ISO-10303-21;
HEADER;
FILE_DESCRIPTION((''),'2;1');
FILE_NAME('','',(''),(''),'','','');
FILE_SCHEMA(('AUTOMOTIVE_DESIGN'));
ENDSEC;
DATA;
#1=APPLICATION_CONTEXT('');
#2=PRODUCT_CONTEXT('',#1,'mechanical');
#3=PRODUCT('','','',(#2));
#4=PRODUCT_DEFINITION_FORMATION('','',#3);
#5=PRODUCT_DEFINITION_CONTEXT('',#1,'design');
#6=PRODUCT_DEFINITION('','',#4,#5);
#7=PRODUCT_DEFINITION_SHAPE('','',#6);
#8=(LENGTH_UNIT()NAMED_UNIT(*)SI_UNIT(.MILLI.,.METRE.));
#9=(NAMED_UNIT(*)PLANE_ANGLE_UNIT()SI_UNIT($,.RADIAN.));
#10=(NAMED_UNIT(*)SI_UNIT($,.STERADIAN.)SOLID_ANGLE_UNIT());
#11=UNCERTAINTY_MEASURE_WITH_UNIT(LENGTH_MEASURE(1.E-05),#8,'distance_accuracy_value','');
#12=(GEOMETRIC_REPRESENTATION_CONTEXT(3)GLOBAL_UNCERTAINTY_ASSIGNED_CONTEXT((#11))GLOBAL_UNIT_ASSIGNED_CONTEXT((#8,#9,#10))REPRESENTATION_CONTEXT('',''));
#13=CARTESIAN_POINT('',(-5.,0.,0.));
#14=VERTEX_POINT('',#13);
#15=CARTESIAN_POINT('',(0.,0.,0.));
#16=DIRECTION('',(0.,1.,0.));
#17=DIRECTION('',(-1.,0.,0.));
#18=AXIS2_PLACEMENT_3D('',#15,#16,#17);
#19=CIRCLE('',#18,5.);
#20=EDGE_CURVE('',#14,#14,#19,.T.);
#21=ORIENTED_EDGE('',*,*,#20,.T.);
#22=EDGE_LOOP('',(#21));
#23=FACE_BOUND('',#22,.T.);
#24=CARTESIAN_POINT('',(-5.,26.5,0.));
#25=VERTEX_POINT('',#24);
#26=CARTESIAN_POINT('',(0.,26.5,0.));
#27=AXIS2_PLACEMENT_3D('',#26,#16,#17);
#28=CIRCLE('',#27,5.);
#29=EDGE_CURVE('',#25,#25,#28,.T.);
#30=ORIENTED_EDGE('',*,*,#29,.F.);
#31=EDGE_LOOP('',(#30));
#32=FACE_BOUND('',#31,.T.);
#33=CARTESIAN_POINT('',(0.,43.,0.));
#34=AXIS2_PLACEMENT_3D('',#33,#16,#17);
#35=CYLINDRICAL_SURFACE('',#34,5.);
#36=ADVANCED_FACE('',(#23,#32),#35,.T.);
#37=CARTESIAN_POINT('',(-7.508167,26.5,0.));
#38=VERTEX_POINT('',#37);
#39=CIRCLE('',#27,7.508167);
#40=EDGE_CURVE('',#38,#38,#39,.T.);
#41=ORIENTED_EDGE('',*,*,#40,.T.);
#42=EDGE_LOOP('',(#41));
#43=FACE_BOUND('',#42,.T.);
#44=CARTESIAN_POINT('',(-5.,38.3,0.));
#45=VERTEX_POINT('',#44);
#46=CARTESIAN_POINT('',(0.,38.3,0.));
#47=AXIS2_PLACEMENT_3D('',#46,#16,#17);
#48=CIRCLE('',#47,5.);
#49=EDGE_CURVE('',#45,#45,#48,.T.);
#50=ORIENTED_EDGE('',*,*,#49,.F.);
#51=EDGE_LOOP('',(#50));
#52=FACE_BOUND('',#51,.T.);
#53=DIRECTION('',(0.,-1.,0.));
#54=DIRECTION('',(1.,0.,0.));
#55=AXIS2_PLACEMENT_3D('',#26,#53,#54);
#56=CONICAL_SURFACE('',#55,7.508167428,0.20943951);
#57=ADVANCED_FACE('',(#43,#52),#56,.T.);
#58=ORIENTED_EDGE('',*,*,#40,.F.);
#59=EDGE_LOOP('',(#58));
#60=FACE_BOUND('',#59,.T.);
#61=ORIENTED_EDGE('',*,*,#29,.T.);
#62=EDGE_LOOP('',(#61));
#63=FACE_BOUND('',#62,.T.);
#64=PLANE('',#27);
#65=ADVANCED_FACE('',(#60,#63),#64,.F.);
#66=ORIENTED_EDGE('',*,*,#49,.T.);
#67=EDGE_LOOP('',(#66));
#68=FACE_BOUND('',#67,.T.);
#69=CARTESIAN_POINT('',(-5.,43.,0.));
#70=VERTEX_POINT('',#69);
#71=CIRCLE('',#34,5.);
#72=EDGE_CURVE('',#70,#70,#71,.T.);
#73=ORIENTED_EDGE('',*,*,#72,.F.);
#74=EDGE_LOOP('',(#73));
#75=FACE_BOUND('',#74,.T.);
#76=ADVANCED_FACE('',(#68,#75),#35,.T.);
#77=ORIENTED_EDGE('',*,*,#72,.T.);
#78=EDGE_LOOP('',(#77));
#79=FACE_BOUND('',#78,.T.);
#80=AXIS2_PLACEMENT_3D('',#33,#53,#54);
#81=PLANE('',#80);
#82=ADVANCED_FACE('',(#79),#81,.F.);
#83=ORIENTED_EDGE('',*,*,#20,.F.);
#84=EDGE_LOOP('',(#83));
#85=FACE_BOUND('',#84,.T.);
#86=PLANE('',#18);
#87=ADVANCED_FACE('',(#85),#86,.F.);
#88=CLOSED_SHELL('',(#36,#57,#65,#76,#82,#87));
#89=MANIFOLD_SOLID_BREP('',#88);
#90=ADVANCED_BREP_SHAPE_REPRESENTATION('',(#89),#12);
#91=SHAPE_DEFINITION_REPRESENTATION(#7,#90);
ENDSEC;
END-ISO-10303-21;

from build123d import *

# Parameters (mm, degrees)
SKETCH2_W = 5
SKETCH2_H = 4.7


with BuildPart() as part:
    # Sketch2 → Revolve1 (revolve)
    with BuildSketch(Plane.XY, mode=Mode.PRIVATE) as revolve1_sk:
        Polygon((0, 38.3), (0, 0), (5, 0), (5, 26.5), (7.508167428, 26.5), (5, 38.3), align=None)
        with Locations((2.5, 40.65)):
            Rectangle(SKETCH2_W, SKETCH2_H)
    revolve(revolve1_sk.sketch.rotate(Axis((0, 43, 0), (0, -1, 0)), 180), axis=Axis((0, 43, 0), (0, -1, 0)))


solid = part.part
